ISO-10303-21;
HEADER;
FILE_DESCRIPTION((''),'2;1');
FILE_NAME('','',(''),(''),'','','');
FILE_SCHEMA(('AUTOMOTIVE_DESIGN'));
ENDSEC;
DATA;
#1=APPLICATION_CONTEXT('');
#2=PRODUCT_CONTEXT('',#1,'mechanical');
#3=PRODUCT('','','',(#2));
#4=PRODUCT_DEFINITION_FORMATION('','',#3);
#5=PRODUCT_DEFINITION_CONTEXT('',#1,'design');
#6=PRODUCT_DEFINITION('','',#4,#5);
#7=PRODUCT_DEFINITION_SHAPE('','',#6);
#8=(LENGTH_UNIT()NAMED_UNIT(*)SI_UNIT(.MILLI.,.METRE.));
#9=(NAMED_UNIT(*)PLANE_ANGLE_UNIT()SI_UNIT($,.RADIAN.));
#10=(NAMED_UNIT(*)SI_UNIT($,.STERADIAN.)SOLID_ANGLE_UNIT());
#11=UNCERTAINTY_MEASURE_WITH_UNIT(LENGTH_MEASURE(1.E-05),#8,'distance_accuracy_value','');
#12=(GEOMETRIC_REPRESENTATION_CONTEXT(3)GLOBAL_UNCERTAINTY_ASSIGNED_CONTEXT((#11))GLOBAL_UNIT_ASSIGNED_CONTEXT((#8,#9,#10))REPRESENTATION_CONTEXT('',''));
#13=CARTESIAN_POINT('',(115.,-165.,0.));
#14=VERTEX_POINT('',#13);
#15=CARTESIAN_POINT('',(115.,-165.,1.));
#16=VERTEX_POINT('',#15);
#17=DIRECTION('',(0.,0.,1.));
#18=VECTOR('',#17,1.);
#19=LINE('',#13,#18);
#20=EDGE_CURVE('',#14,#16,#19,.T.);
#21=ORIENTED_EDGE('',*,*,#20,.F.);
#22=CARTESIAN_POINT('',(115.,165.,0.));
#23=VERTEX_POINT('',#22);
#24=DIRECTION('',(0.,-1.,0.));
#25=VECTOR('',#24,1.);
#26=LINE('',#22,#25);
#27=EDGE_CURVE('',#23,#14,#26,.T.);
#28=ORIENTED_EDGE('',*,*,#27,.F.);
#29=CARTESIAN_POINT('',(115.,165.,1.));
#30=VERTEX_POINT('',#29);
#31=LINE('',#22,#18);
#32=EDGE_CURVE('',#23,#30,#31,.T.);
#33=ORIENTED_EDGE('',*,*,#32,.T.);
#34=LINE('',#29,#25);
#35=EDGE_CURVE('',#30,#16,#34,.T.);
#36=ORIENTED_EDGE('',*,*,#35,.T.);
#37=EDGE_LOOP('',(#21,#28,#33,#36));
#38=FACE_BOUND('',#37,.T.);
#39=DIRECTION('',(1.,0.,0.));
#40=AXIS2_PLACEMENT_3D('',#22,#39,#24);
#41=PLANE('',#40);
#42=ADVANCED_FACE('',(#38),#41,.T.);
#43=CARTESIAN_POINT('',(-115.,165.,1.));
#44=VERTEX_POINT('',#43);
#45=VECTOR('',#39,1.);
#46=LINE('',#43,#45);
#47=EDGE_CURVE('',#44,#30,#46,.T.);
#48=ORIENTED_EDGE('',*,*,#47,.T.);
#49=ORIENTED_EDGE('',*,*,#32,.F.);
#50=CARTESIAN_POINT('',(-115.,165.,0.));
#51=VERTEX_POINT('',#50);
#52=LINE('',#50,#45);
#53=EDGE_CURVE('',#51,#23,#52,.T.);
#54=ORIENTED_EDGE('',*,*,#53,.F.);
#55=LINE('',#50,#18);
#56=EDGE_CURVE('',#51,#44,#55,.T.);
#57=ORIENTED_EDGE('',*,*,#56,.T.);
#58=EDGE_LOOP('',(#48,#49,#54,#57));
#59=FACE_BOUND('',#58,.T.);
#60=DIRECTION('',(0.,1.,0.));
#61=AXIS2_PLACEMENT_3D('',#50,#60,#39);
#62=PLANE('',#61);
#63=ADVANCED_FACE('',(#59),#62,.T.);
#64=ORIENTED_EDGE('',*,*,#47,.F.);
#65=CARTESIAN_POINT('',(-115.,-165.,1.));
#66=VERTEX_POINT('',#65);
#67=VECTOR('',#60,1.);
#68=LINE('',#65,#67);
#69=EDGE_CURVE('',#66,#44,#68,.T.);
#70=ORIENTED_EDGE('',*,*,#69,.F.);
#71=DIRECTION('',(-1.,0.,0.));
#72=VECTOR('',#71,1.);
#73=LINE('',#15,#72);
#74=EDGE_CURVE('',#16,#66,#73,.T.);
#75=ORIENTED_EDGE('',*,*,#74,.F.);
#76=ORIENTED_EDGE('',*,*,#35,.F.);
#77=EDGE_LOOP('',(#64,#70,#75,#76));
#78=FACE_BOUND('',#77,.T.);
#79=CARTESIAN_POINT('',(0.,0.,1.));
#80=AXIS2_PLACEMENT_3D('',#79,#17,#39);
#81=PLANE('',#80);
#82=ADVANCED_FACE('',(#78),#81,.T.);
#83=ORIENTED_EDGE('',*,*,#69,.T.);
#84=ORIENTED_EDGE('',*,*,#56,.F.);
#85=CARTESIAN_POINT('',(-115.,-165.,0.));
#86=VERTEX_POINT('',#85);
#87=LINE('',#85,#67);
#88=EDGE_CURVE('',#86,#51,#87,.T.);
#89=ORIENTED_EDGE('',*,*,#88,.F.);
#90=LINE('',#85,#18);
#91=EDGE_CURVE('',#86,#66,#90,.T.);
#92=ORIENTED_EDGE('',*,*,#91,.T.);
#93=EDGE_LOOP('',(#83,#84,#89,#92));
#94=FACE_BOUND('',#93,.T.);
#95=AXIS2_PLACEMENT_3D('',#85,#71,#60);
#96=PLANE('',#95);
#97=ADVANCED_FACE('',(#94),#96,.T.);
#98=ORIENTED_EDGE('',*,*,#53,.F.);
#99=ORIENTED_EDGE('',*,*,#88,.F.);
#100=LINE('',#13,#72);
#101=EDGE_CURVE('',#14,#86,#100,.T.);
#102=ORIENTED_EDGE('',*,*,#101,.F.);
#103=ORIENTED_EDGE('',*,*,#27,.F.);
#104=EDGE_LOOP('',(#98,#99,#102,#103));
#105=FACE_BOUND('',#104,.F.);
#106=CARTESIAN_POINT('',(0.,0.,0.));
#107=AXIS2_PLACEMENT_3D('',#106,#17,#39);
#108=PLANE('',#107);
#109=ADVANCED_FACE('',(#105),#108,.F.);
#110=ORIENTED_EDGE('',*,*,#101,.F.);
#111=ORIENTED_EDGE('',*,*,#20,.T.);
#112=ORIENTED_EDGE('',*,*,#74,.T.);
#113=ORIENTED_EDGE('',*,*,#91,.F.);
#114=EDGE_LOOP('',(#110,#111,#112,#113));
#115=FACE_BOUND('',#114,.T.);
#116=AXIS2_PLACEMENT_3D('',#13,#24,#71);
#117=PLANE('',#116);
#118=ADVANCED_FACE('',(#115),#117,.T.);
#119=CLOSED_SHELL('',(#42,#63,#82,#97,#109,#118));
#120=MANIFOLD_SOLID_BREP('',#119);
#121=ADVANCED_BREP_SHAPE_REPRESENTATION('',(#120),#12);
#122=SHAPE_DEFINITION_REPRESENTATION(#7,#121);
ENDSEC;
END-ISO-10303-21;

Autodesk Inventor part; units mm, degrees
ref_plane "YZ Plane" through (0, 0, 0) normal (1, 0, 0) x (0, 1, 0)
ref_plane "XZ Plane" through (0, 0, 0) normal (0, 1, 0) x (-1, 0, 0)
ref_plane "XY Plane" through (0, 0, 0) normal (0, 0, 1) x (1, 0, 0)
sketch "スケッチ1" plane through (0, 0, 0) normal (0, 0, 1) x (1, 0, 0)
  line L0 (-115, 165) -> (115, 165)
  line L1 (115, 165) -> (115, -165)
  line L2 (115, -165) -> (-115, -165)
  line L3 (-115, -165) -> (-115, 165)
  point P0 (0, 0)
  point P1 (0, 165)
  point P2 (-115, 0)
  dimension "d0" = 230
  dimension "d1" = 330
extrude "押し出し1" add sketch "スケッチ1" along normal blind 1
properties part number "pouch_small"
